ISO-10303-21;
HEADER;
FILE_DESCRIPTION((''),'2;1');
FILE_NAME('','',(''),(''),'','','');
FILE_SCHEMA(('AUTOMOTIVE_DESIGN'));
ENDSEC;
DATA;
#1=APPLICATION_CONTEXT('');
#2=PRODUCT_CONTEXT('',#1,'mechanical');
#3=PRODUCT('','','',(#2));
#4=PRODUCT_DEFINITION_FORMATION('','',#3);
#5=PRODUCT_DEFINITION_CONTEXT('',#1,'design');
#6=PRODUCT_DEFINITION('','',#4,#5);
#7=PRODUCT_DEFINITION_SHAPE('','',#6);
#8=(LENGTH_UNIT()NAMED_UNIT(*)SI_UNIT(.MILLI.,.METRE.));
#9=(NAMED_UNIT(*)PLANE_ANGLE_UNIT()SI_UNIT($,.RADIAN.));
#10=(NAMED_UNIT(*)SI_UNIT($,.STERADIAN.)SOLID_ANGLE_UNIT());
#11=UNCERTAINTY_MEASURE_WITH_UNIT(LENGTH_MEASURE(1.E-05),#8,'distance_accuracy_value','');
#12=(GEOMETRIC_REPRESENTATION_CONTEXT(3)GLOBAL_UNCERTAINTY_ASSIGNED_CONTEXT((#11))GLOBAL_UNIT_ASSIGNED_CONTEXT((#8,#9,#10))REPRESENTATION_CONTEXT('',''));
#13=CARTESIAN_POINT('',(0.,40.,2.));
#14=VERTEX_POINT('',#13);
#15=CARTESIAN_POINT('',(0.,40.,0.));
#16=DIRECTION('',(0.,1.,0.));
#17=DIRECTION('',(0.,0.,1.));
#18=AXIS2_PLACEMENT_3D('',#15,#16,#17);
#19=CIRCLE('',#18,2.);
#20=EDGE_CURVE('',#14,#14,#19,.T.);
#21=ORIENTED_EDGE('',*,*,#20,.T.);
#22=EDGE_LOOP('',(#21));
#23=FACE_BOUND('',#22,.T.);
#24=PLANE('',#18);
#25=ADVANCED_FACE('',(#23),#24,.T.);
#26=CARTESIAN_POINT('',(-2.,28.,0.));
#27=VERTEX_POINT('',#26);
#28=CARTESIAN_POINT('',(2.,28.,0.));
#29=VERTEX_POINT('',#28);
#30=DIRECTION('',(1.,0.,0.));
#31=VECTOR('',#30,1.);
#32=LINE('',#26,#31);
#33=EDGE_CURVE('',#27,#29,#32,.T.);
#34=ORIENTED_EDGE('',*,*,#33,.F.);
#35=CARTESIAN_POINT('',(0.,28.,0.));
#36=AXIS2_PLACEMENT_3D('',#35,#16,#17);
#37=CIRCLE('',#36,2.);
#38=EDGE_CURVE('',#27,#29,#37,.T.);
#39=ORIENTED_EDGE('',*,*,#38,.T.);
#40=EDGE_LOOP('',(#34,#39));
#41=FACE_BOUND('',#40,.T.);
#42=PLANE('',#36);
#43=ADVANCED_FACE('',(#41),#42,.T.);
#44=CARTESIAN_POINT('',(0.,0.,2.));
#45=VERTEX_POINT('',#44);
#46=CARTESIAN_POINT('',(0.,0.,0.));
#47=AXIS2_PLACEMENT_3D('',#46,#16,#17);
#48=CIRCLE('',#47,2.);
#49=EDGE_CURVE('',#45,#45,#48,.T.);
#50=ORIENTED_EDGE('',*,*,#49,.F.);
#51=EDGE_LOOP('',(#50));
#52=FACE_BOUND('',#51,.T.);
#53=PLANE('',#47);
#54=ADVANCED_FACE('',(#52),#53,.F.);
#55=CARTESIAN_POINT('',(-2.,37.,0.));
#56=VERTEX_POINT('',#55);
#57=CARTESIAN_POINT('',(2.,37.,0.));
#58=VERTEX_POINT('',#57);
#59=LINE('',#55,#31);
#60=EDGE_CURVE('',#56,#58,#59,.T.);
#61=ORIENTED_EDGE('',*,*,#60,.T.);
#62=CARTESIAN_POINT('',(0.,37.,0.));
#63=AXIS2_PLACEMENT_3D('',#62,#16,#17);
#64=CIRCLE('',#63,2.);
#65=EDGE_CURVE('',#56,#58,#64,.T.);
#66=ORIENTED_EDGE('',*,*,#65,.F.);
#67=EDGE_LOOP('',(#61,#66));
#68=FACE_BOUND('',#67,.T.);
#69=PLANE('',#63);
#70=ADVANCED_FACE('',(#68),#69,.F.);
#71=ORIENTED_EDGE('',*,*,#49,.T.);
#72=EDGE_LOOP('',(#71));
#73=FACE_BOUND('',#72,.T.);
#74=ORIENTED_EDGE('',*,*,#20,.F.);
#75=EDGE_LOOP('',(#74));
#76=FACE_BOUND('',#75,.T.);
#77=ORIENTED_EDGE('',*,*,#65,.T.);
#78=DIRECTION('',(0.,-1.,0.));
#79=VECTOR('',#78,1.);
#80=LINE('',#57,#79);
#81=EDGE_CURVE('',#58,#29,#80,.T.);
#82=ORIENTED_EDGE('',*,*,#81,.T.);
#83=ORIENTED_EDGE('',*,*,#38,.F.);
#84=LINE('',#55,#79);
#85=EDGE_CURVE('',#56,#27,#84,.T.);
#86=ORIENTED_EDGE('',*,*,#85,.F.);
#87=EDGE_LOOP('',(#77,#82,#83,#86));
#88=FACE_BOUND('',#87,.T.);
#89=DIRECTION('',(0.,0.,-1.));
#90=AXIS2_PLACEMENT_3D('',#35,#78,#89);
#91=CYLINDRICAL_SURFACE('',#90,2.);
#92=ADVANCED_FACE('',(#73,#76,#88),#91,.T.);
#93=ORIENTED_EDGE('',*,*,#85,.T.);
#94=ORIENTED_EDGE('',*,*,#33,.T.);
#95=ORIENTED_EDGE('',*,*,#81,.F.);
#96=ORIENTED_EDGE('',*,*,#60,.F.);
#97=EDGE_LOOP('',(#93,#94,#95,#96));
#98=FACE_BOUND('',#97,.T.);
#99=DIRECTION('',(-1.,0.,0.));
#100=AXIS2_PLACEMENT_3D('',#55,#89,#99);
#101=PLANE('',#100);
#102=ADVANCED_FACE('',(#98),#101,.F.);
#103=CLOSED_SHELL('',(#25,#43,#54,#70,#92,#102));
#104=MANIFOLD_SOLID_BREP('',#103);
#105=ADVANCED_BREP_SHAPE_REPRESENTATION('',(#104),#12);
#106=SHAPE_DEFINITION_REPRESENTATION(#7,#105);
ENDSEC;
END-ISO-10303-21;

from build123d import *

# Parameters (mm, degrees)
SKETCH1_R           = 2
BOSS_EXTRUDE1_DEPTH = 28
BOSS_EXTRUDE2_DEPTH = 9
SKETCH3_R           = 2
BOSS_EXTRUDE3_DEPTH = 3


with BuildPart() as part:
    # Sketch1 → Boss-Extrude1 (new body)
    with BuildSketch(Plane(origin=(0, 0, 0), x_dir=(1, 0, 0), z_dir=(0, 1, 0))):
        with Locations(Location((0, 0, 0), (0, 0, 270))):
            Circle(SKETCH1_R)
    extrude(amount=BOSS_EXTRUDE1_DEPTH)

    # Sketch2 → Boss-Extrude2 (add)
    with BuildSketch(Plane(origin=(0, 28, 0), x_dir=(1, 0, 0), z_dir=(0, 1, 0))):
        with BuildLine():
            Line((-2, 0), (2, 0))
            ThreePointArc((2, 0), (0, 2), (-2, 0))
        make_face()
    extrude(amount=BOSS_EXTRUDE2_DEPTH)

    # Sketch3 → Boss-Extrude3 (add)
    with BuildSketch(Plane(origin=(0, 37, 0), x_dir=(1, 0, 0), z_dir=(0, 1, 0))):
        with Locations(Location((0, 0, 0), (0, 0, 270))):
            Circle(SKETCH3_R)
    extrude(amount=BOSS_EXTRUDE3_DEPTH)


solid = part.part
